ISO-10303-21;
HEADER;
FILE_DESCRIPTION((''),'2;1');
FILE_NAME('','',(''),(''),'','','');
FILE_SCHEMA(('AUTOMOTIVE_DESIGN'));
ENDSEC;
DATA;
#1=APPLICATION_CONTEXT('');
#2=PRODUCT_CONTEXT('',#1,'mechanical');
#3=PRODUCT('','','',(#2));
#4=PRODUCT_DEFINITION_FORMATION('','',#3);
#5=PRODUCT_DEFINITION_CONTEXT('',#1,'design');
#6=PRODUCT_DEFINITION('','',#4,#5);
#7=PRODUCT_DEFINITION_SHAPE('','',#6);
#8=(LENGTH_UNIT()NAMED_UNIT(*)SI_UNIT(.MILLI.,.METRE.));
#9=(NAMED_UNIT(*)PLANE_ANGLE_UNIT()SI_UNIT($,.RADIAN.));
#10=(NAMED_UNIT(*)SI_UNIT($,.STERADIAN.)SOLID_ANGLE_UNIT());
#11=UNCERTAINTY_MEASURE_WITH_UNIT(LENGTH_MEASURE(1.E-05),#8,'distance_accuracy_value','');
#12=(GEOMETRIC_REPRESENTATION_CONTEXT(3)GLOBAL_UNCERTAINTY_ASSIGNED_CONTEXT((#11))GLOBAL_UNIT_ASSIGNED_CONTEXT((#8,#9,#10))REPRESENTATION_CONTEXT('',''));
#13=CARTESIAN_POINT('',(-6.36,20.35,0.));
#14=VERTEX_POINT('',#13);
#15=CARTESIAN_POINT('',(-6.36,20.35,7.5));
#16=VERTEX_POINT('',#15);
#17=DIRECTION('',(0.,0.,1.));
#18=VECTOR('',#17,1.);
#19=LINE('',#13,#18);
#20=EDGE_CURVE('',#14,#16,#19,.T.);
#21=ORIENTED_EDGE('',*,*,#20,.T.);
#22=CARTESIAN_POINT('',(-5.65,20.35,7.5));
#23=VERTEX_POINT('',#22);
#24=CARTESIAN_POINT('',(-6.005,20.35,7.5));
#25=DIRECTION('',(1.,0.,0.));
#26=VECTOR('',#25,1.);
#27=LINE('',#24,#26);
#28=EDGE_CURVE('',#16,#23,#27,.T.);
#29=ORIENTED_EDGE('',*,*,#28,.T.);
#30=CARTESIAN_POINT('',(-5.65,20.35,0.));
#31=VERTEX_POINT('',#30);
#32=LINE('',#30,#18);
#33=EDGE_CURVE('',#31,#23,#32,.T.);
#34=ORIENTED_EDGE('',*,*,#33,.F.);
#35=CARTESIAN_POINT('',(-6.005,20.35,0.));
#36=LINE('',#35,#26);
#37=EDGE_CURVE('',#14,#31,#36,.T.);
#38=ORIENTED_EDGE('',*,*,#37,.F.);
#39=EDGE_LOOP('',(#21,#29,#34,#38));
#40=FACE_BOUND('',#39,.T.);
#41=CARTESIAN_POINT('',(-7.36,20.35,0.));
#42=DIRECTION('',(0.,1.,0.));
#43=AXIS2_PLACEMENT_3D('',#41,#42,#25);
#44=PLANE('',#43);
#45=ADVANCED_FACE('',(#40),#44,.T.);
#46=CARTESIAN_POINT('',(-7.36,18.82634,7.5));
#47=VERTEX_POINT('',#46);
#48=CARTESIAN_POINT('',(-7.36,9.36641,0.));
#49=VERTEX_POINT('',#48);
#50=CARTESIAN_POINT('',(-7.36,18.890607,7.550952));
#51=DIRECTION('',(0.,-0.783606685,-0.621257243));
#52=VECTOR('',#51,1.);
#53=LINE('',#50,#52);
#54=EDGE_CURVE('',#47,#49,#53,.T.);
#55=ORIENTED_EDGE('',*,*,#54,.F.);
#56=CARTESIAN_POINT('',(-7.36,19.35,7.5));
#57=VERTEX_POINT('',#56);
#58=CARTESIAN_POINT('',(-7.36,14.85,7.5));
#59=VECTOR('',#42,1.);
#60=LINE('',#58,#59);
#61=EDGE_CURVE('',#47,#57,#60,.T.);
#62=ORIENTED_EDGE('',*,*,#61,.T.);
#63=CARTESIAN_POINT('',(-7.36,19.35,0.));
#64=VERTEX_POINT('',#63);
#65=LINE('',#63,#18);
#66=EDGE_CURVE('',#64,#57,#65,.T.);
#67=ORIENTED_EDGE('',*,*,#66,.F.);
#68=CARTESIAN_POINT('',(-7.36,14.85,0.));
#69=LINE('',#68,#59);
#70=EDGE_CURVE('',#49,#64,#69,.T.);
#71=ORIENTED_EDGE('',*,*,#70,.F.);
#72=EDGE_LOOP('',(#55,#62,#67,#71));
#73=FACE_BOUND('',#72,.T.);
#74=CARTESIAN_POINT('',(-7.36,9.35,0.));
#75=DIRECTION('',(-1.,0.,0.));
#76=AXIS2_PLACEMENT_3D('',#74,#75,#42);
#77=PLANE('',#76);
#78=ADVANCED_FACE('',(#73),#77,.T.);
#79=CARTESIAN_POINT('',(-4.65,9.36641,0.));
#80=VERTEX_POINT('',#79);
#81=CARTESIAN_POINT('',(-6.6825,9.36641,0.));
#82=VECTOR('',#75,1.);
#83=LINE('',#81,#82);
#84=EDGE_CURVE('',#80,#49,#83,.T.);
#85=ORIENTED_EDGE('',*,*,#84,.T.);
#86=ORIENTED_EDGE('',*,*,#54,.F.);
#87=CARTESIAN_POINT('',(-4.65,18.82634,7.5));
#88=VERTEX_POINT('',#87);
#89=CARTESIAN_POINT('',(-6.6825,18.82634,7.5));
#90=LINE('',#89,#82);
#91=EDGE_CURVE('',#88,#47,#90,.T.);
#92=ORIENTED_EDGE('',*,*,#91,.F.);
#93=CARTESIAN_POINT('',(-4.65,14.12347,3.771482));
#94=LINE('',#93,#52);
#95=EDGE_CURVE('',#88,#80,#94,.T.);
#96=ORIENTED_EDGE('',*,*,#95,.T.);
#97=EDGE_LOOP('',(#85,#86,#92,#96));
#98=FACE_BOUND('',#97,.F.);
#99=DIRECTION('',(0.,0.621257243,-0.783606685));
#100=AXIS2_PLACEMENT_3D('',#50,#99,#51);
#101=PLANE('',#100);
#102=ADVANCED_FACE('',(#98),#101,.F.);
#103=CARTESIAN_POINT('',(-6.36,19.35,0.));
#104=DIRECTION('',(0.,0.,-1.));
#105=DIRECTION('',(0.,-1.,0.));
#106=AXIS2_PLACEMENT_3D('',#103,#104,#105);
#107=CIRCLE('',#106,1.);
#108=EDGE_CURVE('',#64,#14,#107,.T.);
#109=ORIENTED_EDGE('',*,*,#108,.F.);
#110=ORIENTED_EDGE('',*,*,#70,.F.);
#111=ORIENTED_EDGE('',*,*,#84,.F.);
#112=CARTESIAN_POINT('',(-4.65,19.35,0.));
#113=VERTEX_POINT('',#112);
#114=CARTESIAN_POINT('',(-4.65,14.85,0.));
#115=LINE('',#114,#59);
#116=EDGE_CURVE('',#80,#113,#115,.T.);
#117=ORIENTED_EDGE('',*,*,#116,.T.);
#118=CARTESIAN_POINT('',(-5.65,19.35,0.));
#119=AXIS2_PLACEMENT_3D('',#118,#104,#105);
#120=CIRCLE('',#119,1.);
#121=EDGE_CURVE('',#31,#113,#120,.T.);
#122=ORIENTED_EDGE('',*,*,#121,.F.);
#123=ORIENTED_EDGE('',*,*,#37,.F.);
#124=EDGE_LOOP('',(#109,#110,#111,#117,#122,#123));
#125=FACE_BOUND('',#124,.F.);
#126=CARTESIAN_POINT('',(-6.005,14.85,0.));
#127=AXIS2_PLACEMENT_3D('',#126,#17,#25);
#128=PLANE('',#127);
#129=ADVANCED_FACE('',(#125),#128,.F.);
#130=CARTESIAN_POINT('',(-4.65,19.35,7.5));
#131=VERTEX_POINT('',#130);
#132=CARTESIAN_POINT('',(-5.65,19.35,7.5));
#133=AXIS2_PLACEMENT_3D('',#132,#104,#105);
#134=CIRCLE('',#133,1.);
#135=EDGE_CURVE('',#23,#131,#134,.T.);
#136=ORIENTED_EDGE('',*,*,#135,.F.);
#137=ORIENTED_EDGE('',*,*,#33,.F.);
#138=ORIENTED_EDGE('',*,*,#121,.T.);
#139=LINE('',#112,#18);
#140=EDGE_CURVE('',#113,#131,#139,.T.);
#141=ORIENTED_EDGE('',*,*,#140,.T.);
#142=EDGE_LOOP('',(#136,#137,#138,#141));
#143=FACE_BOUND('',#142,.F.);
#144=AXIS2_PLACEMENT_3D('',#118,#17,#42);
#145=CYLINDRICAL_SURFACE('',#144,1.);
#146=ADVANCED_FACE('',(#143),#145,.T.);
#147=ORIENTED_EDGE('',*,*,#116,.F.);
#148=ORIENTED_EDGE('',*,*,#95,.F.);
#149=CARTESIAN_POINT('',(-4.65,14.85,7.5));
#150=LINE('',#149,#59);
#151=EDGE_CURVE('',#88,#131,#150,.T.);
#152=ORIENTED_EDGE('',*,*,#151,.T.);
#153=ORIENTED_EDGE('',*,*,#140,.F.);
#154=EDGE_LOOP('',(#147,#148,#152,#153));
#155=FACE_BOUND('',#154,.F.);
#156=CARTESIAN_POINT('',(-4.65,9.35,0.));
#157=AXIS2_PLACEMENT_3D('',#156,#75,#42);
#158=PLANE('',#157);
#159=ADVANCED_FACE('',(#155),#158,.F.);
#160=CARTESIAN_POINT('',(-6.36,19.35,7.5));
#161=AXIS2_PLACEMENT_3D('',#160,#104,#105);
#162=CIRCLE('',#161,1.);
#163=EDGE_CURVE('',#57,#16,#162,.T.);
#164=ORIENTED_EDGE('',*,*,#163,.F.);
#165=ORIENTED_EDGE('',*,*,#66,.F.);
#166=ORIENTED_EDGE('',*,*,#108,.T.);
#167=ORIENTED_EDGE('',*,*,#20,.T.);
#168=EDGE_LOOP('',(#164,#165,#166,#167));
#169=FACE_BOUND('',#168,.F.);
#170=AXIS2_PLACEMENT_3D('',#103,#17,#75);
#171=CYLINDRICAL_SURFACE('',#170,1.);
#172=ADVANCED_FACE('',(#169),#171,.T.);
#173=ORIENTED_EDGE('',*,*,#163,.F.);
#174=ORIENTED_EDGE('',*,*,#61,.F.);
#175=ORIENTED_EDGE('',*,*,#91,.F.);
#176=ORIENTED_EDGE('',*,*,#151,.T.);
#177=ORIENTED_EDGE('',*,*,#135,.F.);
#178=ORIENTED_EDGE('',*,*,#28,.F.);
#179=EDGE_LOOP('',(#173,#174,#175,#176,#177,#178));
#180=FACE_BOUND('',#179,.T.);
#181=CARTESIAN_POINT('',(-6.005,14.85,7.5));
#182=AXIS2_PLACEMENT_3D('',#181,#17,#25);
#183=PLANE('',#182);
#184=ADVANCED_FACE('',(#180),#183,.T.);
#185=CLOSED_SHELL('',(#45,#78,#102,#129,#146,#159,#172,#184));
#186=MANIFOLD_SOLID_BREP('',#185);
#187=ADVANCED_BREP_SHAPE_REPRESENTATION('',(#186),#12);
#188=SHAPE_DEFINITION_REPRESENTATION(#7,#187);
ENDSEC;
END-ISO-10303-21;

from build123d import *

# Parameters (mm, degrees)
BOX001_W     = 2.71
BOX001_H     = 11
BOX001_DEPTH = 7.5
POCKET_DEPTH = 5
FILLET001_R  = 1


with BuildPart() as part:
    # Box001 → Box001 (new body)
    with BuildSketch(Plane(origin=(-7.36, 9.35, 0), x_dir=(1, 0, 0), z_dir=(0, 0, 1))):
        with Locations((1.355, 5.5)):
            Rectangle(BOX001_W, BOX001_H)
    extrude(amount=BOX001_DEPTH)

    # Sketch → Pocket (cut)
    with BuildSketch(Plane(origin=(-7.36, 9.35, 0), x_dir=(0, -1, 0), z_dir=(-1, 0, 0))):
        Polygon((-9.540607, 7.550952), (0.165381, -0.144127), (0.165381, 8.596624), align=None)
    extrude(amount=-POCKET_DEPTH, mode=Mode.SUBTRACT)

    # Fillet001
    fillet001_edges = [part.edges().sort_by_distance(p)[0] for p in [
        (-7.36, 20.35, 3.75),
        (-4.65, 20.35, 3.75),
    ]]
    fillet(fillet001_edges, radius=FILLET001_R)


solid = part.part
